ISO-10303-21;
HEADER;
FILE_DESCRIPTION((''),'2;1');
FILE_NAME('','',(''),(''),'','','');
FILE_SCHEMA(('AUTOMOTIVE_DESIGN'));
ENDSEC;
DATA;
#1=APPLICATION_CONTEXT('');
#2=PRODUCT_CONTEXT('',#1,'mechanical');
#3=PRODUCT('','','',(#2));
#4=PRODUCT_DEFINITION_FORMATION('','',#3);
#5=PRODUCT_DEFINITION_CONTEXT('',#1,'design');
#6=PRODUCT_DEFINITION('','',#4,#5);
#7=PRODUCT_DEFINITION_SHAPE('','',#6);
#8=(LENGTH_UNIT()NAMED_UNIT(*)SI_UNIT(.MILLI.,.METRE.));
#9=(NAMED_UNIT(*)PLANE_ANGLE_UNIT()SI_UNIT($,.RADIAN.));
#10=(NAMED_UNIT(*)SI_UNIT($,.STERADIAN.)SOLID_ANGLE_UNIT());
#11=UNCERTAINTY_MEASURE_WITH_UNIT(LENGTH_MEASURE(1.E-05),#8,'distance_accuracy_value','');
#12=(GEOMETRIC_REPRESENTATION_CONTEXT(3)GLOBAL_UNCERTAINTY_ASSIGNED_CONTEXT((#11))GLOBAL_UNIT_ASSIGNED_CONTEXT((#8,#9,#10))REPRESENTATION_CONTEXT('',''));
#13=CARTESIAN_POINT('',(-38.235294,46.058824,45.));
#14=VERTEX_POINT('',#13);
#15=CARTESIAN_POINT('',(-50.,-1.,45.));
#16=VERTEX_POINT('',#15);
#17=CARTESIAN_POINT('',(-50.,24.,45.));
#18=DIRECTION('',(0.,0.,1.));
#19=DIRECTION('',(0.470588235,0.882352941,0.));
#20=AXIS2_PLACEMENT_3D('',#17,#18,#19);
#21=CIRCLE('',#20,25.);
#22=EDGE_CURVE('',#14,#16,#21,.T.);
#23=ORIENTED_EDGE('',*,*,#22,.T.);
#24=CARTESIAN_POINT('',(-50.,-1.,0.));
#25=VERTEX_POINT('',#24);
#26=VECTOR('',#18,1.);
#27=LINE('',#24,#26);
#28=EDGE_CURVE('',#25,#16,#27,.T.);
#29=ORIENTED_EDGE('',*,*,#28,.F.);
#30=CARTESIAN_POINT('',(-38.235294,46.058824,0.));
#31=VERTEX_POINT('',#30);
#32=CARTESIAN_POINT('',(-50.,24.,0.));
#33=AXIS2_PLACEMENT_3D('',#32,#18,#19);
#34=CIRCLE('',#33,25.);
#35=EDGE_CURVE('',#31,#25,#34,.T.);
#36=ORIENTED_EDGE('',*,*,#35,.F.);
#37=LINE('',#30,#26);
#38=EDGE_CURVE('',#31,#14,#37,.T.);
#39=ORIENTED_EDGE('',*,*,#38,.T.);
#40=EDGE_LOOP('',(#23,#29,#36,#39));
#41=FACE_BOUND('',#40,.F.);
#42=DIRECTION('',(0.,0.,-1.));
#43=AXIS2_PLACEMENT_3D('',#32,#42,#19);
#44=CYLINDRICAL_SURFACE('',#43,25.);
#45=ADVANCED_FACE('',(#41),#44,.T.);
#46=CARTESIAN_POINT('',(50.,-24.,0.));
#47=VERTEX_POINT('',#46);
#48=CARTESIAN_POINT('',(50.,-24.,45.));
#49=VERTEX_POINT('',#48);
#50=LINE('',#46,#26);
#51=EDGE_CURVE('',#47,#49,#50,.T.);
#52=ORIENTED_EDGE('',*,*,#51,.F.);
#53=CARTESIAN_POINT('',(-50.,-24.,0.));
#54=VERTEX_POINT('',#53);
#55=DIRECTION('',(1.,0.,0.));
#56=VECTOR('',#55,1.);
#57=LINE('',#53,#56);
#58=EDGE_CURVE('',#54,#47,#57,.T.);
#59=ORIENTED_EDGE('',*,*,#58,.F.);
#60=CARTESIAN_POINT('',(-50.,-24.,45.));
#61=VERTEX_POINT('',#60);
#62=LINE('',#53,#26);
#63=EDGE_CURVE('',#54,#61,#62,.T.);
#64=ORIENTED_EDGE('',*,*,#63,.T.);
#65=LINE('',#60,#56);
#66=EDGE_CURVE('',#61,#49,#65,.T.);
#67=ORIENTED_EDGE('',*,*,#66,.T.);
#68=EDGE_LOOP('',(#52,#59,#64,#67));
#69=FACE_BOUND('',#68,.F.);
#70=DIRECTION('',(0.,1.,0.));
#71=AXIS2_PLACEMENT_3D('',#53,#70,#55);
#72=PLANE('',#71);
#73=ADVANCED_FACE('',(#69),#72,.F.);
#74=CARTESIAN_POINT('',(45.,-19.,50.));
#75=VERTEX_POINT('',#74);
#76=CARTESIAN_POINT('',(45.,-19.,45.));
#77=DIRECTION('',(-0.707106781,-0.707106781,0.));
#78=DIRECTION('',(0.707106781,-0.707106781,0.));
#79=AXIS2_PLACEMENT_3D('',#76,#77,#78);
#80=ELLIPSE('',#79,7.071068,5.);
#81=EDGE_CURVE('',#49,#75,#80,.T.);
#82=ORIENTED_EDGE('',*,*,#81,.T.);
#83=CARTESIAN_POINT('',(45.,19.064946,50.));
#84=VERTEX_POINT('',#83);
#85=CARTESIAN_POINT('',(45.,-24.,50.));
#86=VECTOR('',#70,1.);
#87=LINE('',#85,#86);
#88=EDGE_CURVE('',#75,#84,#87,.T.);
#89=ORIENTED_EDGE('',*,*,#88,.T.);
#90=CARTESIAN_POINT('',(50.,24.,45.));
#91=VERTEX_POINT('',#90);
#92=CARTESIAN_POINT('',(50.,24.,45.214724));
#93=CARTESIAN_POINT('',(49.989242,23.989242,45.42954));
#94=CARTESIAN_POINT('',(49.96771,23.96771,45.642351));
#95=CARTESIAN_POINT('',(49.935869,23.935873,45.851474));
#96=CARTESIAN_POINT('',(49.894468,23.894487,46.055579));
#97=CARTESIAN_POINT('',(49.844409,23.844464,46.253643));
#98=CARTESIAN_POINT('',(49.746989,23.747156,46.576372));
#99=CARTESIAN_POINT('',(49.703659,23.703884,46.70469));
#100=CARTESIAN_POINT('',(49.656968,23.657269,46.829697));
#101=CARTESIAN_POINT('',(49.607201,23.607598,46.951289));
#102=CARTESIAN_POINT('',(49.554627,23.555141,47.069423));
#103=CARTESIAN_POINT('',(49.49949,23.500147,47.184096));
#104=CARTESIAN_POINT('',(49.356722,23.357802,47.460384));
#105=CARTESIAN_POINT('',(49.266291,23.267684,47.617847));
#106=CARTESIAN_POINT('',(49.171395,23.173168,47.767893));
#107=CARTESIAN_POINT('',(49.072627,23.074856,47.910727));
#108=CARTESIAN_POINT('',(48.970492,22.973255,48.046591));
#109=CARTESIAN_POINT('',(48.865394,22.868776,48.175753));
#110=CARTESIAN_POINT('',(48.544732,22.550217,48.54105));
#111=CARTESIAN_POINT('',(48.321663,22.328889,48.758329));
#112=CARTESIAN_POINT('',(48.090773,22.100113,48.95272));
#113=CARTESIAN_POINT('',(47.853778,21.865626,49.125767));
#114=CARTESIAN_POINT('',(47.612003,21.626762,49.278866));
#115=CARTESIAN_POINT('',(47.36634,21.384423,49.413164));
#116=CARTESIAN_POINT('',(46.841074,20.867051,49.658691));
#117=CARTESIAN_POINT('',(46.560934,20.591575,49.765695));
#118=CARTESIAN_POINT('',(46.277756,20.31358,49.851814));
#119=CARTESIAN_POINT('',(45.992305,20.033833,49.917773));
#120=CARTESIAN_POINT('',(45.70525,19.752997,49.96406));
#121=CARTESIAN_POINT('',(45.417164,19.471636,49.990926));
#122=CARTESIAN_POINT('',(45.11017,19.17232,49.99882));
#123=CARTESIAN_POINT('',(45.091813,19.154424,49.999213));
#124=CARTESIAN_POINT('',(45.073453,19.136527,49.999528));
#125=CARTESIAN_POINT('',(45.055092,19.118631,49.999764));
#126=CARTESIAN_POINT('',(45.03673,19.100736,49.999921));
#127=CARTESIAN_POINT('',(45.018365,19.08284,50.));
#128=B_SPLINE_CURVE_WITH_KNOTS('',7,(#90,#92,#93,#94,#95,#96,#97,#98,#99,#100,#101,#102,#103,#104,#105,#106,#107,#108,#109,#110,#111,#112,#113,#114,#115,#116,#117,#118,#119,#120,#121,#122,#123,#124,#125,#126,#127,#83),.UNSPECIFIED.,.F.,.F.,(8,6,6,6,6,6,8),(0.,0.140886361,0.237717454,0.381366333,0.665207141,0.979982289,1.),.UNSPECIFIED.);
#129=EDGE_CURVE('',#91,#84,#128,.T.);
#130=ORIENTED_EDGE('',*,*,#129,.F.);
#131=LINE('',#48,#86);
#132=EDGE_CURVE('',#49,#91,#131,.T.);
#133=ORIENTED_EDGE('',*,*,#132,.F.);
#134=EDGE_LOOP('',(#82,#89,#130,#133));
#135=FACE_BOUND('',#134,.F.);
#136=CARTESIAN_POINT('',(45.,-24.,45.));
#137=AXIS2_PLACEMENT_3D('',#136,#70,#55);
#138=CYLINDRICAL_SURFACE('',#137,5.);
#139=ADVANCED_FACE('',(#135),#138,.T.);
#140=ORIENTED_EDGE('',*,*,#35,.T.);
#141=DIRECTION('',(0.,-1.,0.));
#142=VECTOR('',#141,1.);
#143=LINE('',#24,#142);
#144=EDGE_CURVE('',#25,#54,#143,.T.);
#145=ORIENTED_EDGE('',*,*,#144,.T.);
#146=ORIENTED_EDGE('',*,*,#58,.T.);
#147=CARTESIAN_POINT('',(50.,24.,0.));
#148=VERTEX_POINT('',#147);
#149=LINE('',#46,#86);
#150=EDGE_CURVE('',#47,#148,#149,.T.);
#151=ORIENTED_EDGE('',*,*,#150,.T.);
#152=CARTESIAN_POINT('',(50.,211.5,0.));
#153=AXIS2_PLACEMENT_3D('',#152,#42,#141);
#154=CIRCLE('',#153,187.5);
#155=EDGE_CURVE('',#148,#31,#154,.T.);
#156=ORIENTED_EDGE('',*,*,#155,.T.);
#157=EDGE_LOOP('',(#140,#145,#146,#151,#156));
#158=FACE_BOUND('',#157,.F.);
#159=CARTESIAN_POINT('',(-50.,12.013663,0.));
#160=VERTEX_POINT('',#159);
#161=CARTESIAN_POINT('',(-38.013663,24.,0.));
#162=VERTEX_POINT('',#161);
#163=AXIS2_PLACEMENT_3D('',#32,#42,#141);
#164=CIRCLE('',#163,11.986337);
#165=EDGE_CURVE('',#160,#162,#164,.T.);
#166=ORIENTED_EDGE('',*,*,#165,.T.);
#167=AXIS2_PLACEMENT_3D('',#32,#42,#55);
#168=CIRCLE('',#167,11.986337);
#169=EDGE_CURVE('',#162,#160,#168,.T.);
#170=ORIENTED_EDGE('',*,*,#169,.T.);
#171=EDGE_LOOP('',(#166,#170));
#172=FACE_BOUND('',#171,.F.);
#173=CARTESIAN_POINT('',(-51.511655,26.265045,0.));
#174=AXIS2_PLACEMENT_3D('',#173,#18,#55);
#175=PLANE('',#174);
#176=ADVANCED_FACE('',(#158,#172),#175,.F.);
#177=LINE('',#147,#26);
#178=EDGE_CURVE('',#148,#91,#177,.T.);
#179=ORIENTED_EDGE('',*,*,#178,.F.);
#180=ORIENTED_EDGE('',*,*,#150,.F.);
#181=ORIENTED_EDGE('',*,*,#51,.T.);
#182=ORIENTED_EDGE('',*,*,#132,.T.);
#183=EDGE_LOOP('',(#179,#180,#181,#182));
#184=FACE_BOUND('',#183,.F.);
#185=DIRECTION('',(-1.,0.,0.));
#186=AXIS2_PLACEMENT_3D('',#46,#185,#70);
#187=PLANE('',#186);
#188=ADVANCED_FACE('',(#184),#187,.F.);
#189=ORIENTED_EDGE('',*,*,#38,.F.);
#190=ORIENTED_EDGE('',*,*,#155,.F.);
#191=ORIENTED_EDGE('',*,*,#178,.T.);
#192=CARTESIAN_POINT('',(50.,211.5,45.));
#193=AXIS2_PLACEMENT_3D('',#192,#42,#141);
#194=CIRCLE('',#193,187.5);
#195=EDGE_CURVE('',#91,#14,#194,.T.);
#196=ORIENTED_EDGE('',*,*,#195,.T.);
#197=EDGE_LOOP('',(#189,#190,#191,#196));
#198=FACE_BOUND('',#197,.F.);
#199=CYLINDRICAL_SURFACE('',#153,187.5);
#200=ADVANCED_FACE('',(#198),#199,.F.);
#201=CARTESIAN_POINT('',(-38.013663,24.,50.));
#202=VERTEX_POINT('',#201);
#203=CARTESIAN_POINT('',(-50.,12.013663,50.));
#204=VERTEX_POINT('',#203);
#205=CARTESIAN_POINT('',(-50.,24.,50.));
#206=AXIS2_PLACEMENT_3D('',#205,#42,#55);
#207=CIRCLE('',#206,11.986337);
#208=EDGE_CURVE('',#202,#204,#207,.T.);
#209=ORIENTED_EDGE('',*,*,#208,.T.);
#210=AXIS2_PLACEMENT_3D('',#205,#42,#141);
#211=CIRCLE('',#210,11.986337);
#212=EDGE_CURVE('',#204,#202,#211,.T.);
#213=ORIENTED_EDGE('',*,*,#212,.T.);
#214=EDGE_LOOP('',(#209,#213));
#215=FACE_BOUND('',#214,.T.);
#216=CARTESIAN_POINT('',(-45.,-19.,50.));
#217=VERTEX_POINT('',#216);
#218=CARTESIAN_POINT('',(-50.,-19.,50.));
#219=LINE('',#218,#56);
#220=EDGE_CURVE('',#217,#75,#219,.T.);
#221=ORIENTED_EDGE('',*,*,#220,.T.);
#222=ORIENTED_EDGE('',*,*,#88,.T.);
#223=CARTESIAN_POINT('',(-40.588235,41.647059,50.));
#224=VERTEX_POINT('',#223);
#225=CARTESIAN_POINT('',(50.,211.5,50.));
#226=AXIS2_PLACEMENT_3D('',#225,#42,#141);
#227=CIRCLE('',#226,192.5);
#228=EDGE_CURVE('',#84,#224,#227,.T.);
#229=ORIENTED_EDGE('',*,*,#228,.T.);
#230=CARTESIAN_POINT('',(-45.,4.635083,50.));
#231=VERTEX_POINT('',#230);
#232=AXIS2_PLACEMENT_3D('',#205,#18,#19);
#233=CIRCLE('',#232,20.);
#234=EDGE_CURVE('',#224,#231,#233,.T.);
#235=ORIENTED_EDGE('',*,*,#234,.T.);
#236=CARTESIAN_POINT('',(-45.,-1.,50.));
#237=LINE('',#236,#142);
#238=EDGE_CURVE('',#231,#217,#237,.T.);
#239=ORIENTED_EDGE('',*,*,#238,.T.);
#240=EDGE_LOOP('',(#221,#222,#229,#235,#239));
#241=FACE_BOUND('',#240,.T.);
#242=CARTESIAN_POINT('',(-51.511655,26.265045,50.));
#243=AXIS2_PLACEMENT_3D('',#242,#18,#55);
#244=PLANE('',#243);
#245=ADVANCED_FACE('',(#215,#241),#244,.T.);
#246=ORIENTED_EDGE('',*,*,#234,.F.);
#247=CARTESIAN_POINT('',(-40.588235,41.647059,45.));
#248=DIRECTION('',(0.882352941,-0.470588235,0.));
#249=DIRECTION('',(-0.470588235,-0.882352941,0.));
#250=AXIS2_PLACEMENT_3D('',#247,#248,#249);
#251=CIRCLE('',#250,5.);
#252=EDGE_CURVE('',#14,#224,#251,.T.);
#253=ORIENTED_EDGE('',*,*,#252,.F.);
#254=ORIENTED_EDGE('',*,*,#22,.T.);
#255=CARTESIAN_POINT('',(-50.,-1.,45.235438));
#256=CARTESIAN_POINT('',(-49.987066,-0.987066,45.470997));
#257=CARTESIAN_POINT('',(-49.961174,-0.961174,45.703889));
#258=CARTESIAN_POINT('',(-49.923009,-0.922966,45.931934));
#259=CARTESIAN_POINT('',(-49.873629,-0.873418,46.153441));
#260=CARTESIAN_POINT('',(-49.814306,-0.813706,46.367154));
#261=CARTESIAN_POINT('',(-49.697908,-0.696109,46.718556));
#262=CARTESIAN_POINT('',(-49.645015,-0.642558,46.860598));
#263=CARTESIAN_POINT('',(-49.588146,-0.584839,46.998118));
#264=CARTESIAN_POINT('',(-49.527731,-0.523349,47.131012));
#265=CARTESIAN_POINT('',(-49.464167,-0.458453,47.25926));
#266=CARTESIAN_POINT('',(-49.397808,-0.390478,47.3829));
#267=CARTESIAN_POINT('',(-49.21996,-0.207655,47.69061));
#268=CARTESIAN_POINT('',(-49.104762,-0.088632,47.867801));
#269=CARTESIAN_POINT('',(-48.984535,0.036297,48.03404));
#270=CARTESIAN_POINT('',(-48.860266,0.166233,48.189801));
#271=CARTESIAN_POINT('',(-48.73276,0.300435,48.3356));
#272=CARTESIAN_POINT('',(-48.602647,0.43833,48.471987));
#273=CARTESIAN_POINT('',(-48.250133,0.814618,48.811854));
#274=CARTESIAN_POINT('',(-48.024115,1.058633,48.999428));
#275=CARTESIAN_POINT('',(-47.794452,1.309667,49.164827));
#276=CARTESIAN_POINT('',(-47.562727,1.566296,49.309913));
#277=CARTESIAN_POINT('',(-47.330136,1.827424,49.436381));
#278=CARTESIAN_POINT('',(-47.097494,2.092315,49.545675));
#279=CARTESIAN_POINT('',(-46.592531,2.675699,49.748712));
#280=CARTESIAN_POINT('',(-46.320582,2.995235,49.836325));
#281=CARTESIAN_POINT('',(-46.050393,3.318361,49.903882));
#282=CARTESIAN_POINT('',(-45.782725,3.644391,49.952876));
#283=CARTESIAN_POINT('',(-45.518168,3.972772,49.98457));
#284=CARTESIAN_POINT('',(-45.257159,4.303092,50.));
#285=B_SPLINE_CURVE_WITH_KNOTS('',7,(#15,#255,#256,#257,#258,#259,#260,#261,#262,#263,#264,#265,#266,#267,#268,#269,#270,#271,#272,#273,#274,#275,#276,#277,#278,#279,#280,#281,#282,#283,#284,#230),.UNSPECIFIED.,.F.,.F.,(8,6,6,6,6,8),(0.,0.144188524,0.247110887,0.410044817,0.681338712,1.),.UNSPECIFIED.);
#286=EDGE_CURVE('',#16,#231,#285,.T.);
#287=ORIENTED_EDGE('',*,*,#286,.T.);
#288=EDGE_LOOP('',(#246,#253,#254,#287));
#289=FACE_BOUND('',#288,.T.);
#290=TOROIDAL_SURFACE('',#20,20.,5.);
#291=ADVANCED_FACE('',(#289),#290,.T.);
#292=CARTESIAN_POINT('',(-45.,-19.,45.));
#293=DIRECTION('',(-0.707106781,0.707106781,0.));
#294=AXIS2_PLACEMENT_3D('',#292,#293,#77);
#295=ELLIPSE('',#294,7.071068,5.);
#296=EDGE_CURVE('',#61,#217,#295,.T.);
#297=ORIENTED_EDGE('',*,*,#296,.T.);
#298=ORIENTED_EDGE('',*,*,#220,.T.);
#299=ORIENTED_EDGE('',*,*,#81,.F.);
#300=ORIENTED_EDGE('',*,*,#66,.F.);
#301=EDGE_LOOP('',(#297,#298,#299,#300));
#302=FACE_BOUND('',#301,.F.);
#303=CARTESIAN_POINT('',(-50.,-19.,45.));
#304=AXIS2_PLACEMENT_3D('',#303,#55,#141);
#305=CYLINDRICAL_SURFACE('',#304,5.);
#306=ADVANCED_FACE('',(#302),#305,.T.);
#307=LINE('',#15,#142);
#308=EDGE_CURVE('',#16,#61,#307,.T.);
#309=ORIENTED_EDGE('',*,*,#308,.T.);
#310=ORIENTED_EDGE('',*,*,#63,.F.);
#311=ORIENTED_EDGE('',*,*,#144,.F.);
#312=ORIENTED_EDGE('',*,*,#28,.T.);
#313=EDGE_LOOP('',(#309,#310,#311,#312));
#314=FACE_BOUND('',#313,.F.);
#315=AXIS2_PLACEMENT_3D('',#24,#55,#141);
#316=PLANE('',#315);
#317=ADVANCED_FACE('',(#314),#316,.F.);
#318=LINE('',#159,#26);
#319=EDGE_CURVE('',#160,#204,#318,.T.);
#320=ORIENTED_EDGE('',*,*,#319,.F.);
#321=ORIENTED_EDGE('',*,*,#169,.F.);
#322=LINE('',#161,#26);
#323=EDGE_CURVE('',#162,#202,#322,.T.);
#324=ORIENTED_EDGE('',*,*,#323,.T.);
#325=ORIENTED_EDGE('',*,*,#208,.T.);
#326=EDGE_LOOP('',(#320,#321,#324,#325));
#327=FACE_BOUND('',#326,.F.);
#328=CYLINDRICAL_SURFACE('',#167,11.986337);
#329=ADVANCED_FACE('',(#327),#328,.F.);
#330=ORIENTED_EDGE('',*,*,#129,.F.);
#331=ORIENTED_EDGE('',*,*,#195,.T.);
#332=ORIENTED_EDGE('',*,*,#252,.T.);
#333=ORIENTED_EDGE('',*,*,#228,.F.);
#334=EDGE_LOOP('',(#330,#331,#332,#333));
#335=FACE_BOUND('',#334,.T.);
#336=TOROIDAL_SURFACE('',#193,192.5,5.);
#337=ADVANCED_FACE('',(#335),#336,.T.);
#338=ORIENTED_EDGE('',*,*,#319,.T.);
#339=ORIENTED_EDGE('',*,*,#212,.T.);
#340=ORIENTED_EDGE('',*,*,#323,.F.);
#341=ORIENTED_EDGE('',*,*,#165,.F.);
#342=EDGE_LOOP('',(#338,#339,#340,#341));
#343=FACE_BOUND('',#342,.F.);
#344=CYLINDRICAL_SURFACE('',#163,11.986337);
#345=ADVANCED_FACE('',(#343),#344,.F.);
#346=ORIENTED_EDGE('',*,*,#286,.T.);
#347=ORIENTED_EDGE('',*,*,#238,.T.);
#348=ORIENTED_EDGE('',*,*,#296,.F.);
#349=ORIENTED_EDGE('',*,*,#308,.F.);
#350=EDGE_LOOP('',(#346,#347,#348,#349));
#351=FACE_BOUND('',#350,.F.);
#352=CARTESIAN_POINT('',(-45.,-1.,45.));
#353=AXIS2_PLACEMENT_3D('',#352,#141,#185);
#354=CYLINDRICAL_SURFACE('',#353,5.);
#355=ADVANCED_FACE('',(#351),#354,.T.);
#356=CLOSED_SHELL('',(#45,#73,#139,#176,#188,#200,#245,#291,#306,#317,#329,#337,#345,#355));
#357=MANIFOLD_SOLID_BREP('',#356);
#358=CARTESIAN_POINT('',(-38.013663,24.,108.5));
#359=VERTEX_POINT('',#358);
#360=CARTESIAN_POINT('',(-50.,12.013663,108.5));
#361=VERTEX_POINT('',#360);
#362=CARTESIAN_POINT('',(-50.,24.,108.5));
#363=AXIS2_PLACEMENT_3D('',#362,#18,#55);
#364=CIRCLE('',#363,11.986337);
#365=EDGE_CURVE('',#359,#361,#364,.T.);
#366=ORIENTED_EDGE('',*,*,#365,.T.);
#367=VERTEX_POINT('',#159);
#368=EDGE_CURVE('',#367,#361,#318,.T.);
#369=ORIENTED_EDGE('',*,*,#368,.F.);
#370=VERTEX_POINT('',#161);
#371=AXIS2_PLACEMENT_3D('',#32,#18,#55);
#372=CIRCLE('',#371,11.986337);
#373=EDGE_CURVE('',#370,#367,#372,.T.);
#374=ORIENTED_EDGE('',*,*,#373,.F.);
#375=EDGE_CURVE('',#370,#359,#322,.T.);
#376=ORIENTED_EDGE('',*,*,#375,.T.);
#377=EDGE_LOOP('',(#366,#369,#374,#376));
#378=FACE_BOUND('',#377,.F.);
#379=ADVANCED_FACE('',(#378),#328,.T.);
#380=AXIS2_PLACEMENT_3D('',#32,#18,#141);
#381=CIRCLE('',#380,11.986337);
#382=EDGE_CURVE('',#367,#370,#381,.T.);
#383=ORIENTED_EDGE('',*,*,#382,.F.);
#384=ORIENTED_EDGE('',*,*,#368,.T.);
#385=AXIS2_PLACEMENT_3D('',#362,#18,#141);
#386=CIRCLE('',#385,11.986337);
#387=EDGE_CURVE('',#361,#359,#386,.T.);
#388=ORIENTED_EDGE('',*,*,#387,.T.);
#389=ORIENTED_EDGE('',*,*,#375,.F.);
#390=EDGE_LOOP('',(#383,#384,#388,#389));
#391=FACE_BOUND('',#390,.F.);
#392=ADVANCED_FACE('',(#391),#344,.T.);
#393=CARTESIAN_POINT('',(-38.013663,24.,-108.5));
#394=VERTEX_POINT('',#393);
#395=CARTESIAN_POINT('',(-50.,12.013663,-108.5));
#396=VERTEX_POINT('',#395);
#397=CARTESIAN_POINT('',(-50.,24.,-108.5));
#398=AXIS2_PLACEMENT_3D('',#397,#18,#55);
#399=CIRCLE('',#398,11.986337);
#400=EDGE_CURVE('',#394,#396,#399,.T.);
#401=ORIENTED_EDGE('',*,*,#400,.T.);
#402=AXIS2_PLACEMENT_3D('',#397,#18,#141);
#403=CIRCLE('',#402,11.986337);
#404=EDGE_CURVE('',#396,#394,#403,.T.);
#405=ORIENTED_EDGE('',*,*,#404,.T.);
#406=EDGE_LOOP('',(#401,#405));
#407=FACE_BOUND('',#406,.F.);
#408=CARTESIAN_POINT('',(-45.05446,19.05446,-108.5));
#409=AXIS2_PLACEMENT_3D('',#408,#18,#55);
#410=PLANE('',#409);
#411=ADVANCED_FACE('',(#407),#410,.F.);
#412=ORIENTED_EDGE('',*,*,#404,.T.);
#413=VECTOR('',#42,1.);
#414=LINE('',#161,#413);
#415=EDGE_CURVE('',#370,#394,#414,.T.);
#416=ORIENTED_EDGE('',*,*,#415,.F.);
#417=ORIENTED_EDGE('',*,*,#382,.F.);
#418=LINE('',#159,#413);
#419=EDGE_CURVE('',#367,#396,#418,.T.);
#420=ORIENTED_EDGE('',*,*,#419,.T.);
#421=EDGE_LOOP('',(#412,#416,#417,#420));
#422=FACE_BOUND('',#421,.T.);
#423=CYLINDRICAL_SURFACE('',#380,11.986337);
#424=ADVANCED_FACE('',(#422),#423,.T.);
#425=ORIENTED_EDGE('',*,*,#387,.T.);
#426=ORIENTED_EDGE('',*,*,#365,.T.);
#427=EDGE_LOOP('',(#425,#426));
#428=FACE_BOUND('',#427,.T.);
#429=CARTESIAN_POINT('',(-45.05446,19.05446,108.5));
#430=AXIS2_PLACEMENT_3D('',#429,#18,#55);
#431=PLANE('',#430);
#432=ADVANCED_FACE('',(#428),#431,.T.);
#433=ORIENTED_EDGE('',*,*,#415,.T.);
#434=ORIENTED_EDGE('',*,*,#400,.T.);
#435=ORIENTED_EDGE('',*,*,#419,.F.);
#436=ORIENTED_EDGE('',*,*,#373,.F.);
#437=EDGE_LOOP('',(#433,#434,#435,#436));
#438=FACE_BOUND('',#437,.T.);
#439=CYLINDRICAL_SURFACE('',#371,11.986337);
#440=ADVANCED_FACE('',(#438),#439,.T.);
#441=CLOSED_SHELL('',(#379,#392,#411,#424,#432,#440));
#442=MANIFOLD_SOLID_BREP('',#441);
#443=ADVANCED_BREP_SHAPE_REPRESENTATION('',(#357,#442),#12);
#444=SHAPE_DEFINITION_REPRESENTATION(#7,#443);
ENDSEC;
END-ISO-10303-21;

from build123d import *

# Parameters (mm, degrees)
F1_DEPTH = 50
F2_DEPTH = 108.5
F3_R     = 5


with BuildPart() as f1:
    # F0 (on Top) → F1 (new body)
    with BuildSketch(Plane.XY):
        with BuildLine():
            ThreePointArc((-38.2352941176, 46.0588235294), (-74.2535625036, 30.0633906259), (-50, -1))
            Line((-50, -1), (-50, 12.0136628569))
            ThreePointArc((-50, 12.0136628569), (-58.4756202755, 32.4756202755), (-38.0136628569, 24))
            Line((-38.0136628569, 24), (-25, 24))
            ThreePointArc((-25, 24), (-28.5626768572, 36.8623938857), (-38.2352941176, 46.0588235294))
        make_face()
        with BuildLine():
            Line((-50, 12.0136628569), (-50, -1))
            ThreePointArc((-50, -1), (-32.3223304703, 6.3223304703), (-25, 24))
            Line((-25, 24), (-38.0136628569, 24))
            ThreePointArc((-38.0136628569, 24), (-41.5243797245, 15.5243797245), (-50, 12.0136628569))
        make_face()
        with BuildLine():
            Line((-50, -24), (50, -24))
            Line((50, -24), (50, 24))
            Line((50, 24), (-25, 24))
            ThreePointArc((-25, 24), (-32.3223304703, 6.3223304703), (-50, -1))
            Line((-50, -1), (-50, -24))
        make_face()
        with BuildLine():
            Line((-25, 24), (50, 24))
            ThreePointArc((50, 24), (4.5245703057, 29.5982812228), (-38.2352941176, 46.0588235294))
            ThreePointArc((-38.2352941176, 46.0588235294), (-28.5626768572, 36.8623938857), (-25, 24))
        make_face()
    extrude(amount=F1_DEPTH)

    # F3
    f3_edges = [f1.edges().sort_by_distance(p)[0] for p in [
        (-74.253563, 30.063391, 50),
        (-50, -12.5, 50),
        (0, -24, 50),
        (50, 0, 50),
    ]]
    fillet(f3_edges, radius=F3_R)


with BuildPart() as f2:
    # F0 (on Top) → F2 (new body, symmetric)
    with BuildSketch(Plane.XY):
        with BuildLine():
            Line((-50, 24), (-50, 12.0136628569))
            ThreePointArc((-50, 12.0136628569), (-41.5243797245, 15.5243797245), (-38.0136628569, 24))
            Line((-38.0136628569, 24), (-50, 24))
        make_face()
        with BuildLine():
            ThreePointArc((-38.0136628569, 24), (-58.4756202755, 32.4756202755), (-50, 12.0136628569))
            Line((-50, 12.0136628569), (-50, 24))
            Line((-50, 24), (-38.0136628569, 24))
        make_face()
    extrude(amount=F2_DEPTH, both=True)


solid = Compound([f1.part, f2.part])
